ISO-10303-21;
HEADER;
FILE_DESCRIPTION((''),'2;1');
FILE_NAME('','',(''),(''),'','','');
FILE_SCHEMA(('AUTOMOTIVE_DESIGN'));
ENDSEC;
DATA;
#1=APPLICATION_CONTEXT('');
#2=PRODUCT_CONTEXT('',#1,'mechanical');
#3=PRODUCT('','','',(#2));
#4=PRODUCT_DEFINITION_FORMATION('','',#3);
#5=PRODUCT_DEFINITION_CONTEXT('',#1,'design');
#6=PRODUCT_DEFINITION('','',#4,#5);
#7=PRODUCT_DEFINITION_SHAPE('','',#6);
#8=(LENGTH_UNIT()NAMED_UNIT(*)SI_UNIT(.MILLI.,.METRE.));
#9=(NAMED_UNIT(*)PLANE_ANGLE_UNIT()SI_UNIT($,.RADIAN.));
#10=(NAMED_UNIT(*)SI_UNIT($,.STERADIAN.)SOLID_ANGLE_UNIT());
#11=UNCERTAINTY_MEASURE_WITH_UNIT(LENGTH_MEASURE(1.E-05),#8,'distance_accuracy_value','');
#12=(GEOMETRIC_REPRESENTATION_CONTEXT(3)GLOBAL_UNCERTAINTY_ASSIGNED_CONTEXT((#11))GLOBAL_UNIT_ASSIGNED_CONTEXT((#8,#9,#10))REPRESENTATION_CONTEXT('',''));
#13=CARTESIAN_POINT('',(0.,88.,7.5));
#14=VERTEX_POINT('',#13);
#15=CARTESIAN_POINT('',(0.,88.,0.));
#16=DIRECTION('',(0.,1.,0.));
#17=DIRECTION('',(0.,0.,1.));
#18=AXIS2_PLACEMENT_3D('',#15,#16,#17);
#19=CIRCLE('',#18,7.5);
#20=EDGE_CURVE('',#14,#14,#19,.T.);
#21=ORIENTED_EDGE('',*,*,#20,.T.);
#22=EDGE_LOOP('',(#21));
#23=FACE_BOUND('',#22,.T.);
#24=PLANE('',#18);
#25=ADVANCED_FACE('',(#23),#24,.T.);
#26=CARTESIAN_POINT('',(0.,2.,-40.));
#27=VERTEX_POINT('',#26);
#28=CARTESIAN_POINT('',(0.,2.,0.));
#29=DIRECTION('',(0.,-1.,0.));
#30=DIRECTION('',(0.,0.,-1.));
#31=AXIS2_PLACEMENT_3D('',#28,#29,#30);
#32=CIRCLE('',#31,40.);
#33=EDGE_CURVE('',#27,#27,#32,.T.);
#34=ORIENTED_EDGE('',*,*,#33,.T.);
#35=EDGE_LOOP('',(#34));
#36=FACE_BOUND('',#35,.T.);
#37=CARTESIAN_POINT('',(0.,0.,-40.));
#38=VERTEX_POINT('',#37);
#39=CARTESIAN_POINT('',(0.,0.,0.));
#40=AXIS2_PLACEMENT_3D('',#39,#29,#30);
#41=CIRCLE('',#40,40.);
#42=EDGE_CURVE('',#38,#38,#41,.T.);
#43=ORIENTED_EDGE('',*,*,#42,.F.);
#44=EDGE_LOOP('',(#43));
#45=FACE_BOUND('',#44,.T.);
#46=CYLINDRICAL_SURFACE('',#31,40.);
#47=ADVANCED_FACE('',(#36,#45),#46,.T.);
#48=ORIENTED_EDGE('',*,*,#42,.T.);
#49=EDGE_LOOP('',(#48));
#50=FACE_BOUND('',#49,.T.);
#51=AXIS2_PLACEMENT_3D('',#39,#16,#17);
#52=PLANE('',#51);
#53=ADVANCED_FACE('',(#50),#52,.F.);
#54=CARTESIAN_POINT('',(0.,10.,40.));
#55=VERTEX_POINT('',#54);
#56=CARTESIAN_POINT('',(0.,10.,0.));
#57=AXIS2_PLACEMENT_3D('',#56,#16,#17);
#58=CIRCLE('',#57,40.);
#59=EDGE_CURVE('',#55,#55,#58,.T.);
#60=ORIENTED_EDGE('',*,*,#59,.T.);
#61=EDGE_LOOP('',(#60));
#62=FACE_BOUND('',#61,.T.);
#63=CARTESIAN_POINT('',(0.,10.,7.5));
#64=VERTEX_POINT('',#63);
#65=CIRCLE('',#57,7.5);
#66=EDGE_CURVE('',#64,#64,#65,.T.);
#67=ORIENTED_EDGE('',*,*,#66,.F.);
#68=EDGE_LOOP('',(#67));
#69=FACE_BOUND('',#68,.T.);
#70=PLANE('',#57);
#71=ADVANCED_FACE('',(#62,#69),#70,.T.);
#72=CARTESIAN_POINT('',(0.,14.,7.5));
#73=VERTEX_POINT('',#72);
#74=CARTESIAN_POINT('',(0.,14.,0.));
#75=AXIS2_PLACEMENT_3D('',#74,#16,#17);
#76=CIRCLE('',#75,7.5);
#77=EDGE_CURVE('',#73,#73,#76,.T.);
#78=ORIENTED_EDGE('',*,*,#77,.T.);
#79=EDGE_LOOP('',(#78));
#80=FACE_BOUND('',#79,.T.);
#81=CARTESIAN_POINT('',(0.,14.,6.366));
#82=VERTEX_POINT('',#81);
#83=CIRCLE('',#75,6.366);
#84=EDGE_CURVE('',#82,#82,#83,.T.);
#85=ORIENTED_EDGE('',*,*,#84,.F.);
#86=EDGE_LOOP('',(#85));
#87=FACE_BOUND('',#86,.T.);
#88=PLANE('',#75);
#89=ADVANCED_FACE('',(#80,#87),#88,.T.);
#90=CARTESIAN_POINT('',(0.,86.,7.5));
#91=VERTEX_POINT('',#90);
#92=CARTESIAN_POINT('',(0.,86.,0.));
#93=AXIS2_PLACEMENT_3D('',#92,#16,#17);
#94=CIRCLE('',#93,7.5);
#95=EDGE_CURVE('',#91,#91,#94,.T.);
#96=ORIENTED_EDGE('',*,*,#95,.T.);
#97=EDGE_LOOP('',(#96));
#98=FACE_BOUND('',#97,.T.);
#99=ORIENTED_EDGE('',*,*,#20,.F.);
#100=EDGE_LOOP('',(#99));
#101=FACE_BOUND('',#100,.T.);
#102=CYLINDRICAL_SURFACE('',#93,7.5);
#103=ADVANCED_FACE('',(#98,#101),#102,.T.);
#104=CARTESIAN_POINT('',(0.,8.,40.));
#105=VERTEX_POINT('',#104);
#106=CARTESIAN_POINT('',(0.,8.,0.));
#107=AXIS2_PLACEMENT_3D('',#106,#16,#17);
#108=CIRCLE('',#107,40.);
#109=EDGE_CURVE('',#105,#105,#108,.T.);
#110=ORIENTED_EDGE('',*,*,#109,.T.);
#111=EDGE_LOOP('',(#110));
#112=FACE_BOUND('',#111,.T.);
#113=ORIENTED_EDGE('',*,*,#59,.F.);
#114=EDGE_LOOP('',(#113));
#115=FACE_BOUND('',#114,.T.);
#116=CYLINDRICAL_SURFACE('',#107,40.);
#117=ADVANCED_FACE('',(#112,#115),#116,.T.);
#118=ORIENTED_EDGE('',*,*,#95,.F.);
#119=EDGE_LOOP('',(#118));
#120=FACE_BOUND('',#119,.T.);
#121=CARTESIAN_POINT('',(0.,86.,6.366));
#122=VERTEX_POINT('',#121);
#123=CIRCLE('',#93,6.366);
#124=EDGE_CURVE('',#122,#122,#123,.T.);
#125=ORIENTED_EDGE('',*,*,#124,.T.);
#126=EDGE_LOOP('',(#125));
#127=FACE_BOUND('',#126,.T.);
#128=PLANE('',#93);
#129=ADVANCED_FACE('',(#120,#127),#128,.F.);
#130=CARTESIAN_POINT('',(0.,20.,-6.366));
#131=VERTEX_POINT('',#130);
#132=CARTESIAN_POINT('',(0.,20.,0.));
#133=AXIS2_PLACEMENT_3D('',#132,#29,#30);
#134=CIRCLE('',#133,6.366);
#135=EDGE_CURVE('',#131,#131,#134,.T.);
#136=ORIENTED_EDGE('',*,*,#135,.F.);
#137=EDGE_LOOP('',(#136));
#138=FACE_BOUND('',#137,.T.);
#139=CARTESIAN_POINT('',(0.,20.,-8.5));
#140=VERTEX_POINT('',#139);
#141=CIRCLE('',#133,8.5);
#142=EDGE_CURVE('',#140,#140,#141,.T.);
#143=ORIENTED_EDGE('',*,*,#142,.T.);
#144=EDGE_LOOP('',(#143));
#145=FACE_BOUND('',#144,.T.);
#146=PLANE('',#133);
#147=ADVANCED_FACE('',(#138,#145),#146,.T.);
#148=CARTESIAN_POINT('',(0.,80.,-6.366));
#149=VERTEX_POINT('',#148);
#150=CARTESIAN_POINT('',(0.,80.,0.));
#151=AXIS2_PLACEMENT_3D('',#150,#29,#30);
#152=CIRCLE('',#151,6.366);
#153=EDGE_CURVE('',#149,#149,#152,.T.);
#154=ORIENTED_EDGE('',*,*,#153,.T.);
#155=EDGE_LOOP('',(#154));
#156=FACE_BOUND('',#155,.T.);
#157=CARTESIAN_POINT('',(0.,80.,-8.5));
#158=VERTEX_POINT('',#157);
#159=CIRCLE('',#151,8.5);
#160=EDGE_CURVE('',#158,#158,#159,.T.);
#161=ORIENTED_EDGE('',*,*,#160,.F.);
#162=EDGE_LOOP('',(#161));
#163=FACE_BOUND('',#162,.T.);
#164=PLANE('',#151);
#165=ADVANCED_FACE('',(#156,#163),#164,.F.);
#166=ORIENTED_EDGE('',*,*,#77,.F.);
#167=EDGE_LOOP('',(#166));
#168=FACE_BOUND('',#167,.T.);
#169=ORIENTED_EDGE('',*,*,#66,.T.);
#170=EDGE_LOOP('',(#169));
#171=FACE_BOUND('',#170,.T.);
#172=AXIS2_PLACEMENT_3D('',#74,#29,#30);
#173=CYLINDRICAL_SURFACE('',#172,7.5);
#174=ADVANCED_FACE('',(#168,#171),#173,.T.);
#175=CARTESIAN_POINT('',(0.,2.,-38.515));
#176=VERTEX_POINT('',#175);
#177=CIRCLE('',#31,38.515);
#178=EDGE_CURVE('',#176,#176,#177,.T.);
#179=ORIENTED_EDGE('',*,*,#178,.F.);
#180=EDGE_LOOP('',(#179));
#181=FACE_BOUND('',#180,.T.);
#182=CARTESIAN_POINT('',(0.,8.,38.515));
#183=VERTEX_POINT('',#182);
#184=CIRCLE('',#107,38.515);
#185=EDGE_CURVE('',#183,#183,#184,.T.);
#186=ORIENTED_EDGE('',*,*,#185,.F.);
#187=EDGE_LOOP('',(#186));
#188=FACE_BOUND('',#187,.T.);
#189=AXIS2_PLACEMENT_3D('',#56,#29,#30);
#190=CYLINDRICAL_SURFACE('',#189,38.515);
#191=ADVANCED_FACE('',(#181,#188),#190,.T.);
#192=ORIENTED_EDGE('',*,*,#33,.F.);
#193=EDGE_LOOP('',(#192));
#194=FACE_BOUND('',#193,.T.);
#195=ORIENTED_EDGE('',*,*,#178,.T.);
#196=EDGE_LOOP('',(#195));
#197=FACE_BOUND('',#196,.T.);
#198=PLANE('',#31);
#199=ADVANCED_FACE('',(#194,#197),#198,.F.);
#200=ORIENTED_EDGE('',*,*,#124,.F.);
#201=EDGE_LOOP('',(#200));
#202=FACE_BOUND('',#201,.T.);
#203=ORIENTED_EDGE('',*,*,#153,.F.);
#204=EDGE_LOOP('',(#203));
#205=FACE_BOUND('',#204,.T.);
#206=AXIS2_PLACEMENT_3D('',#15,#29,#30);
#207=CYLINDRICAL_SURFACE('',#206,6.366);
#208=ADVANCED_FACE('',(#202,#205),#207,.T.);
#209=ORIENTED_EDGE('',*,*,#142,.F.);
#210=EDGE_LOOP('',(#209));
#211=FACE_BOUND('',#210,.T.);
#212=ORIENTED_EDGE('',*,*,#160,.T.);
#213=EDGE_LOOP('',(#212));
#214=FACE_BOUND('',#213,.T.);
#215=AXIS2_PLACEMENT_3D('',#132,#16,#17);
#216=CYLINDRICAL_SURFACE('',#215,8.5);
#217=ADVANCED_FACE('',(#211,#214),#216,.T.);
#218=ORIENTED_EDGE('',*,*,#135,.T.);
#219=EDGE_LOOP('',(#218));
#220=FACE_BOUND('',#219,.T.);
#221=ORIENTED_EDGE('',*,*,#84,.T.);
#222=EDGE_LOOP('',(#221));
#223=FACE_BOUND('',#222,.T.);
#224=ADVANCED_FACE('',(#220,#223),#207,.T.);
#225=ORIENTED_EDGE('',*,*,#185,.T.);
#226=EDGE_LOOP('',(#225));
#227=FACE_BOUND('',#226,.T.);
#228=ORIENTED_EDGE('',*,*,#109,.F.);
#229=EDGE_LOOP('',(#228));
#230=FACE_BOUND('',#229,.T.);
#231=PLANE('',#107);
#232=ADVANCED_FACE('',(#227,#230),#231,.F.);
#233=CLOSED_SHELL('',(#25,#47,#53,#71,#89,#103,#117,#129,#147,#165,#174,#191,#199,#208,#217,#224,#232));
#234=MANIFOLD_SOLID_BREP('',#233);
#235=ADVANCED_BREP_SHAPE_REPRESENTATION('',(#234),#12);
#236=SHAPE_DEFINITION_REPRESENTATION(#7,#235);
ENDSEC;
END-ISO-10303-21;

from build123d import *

# Parameters (mm, degrees)
SKETCH1_R           = 38.515
BOSS_EXTRUDE1_DEPTH = 10
SKETCH2_R           = 40
BOSS_EXTRUDE2_DEPTH = 2
BOSS_EXTRUDE3_START = -2
SKETCH3_R           = 40
BOSS_EXTRUDE3_DEPTH = 2
SKETCH4_R           = 6.366
BOSS_EXTRUDE4_DEPTH = 78
SKETCH5_R           = 7.5
BOSS_EXTRUDE5_DEPTH = 2
SKETCH6_R           = 8.5
BOSS_EXTRUDE6_DEPTH = 60
BOSS_EXTRUDE7_START = 4
SKETCH7_R           = 7.5
BOSS_EXTRUDE7_DEPTH = 4


with BuildPart() as part:
    # Sketch1 → Boss-Extrude1 (new body)
    with BuildSketch(Plane(origin=(0, 0, 0), x_dir=(1, 0, 0), z_dir=(0, 1, 0))):
        with Locations(Location((0, 0, 0), (0, 0, 270))):
            Circle(SKETCH1_R)
    extrude(amount=BOSS_EXTRUDE1_DEPTH)

    # Sketch2 → Boss-Extrude2 (add)
    with BuildSketch(Plane.XZ):
        with Locations(Location((0, 0, 0), (0, 0, 270))):
            Circle(SKETCH2_R)
    extrude(amount=-BOSS_EXTRUDE2_DEPTH)

    # Sketch3 → Boss-Extrude3 (add)
    with BuildSketch(Plane(origin=(0, 10, 0), x_dir=(1, 0, 0), z_dir=(0, 1, 0)).offset(BOSS_EXTRUDE3_START)):
        with Locations(Location((0, 0, 0), (0, 0, 90))):
            Circle(SKETCH3_R)
    extrude(amount=BOSS_EXTRUDE3_DEPTH)

    # Sketch4 → Boss-Extrude4 (add)
    with BuildSketch(Plane(origin=(0, 10, 0), x_dir=(1, 0, 0), z_dir=(0, 1, 0))):
        with Locations(Location((0, 0, 0), (0, 0, 270))):
            Circle(SKETCH4_R)
    extrude(amount=BOSS_EXTRUDE4_DEPTH)

    # Sketch5 → Boss-Extrude5 (add)
    with BuildSketch(Plane(origin=(0, 88, 0), x_dir=(1, 0, 0), z_dir=(0, 1, 0))):
        with Locations(Location((0, 0, 0), (0, 0, 270))):
            Circle(SKETCH5_R)
    extrude(amount=-BOSS_EXTRUDE5_DEPTH)

    # Sketch6 → Boss-Extrude6 (add)
    with BuildSketch(Plane(origin=(0, 80, 0), x_dir=(-1, 0, 0), z_dir=(0, -1, 0))):
        with Locations(Location((0, 0, 0), (0, 0, 90))):
            Circle(SKETCH6_R)
    extrude(amount=BOSS_EXTRUDE6_DEPTH)

    # Sketch7 → Boss-Extrude7 (add)
    with BuildSketch(Plane(origin=(0, 10, 0), x_dir=(1, 0, 0), z_dir=(0, 1, 0)).offset(BOSS_EXTRUDE7_START)):
        with Locations(Location((0, 0, 0), (0, 0, 270))):
            Circle(SKETCH7_R)
    extrude(amount=-BOSS_EXTRUDE7_DEPTH)


solid = part.part
